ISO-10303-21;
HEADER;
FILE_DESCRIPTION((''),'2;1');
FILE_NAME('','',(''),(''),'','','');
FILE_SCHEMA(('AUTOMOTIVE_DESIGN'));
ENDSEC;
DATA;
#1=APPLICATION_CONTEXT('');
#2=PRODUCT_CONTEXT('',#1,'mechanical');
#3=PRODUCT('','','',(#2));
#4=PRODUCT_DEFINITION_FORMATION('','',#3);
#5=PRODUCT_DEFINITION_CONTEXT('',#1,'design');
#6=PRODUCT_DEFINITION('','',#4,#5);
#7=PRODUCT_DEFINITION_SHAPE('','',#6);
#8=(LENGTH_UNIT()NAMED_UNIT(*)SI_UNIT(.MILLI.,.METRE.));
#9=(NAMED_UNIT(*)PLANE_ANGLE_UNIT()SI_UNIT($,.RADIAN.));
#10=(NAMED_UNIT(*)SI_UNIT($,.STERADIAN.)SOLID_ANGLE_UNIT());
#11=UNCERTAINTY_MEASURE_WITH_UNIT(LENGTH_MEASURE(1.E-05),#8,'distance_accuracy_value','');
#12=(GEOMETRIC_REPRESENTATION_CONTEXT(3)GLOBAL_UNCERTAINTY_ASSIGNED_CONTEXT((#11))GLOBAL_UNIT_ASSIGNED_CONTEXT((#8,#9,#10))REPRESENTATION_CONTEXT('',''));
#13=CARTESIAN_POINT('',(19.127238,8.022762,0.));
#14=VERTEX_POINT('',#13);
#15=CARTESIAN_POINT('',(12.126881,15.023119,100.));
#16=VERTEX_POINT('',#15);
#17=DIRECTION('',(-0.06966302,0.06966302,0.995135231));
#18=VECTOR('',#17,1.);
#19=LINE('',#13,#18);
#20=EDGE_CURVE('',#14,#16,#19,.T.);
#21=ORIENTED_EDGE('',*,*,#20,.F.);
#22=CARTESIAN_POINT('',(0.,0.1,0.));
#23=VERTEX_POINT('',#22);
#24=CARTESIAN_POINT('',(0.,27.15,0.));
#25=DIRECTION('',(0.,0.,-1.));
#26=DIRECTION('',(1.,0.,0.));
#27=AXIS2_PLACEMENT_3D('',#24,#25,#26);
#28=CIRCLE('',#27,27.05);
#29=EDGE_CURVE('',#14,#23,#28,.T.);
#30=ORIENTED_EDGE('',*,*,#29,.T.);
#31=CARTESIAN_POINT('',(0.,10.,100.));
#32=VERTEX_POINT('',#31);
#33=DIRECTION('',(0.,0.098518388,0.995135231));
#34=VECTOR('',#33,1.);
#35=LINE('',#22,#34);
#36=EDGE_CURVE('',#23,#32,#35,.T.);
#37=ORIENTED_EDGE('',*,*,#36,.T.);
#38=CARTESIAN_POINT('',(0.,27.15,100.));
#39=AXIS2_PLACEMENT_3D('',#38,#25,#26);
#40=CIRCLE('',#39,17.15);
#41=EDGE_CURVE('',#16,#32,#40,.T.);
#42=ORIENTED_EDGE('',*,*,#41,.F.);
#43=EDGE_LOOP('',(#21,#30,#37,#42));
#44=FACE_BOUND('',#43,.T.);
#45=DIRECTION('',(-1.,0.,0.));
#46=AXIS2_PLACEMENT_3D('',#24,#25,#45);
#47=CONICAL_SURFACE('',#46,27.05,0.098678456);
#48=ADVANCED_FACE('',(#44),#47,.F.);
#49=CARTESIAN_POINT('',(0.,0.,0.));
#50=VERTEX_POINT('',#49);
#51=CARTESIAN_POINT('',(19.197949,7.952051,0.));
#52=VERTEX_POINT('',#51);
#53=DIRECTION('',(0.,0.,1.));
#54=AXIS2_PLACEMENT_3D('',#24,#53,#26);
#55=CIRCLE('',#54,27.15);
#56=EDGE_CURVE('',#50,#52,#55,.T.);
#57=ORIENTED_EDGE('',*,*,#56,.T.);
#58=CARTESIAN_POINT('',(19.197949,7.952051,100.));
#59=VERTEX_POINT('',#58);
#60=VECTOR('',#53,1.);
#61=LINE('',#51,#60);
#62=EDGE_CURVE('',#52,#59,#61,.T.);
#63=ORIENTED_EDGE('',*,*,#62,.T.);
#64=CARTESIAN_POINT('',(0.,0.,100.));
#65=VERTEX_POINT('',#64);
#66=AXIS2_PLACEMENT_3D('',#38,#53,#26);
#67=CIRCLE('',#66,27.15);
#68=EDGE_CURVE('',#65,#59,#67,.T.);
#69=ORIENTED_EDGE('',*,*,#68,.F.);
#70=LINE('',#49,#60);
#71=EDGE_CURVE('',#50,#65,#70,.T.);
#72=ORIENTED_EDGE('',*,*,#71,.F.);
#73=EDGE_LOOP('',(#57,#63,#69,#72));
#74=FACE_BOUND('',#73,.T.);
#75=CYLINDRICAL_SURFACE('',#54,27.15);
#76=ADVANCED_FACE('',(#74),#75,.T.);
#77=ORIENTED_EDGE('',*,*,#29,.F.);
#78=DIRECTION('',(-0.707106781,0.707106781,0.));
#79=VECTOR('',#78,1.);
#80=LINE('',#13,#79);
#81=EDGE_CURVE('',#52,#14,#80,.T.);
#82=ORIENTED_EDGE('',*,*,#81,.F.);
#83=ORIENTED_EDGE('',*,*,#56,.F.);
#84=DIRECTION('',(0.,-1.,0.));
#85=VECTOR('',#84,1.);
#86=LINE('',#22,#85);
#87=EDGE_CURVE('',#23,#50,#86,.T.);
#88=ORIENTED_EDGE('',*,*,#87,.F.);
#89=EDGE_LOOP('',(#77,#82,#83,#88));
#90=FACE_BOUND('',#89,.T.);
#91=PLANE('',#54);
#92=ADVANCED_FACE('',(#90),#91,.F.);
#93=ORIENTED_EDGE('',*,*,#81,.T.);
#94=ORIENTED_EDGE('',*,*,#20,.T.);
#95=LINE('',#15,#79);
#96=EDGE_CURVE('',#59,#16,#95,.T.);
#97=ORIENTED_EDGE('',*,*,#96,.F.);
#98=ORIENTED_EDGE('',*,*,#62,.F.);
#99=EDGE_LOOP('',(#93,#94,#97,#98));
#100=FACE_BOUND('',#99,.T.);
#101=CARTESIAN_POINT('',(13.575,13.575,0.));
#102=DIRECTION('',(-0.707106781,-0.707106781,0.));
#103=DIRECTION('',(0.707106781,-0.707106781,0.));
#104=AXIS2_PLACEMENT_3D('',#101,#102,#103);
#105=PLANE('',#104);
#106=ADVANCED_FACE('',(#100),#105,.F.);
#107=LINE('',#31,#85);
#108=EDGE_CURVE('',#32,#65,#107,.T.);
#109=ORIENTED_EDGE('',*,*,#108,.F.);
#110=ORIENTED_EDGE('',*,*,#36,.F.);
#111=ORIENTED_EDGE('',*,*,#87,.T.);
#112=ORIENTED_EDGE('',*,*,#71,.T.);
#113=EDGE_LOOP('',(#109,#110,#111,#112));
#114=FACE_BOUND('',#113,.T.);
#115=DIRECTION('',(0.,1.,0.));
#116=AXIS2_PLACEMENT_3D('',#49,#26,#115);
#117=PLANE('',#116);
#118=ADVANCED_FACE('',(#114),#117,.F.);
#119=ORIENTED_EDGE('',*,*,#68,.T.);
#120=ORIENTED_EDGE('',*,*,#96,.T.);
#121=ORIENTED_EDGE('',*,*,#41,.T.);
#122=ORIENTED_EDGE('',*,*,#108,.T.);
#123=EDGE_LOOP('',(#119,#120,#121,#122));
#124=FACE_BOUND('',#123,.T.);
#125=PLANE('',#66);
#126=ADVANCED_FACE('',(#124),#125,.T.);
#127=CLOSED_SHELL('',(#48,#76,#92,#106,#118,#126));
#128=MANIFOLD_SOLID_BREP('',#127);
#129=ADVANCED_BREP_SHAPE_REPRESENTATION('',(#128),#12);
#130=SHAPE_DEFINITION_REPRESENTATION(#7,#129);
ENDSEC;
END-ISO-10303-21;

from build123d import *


with BuildPart() as part:
    # Sketch1 for Loft3 → Loft3 section 0
    with BuildSketch(Plane.XY):
        with BuildLine():
            Line((0, 0.1), (0, 0))
            # circular arc as an exact rational Bezier (weights 1, cos(half-angle), 1)
            Bezier((0, 0), (11.245898218, 0), (19.197949109, 7.952050891), weights=[1, 0.923879533, 1])
            Line((19.197949109, 7.952050891), (19.127238431, 8.022761569))
            Bezier((19.127238431, 8.022761569), (11.204476862, 0.1), (0, 0.1), weights=[1, 0.923879533, 1])
        make_face()
    # Sketch2 for Loft3 → Loft3 section 1
    with BuildSketch(Plane.XY.offset(100)):
        with BuildLine():
            Line((0, 10), (0, 0))
            Bezier((0, 0), (11.245898218, 0), (19.197949109, 7.952050891), weights=[1, 0.923879533, 1])
            Line((19.197949109, 7.952050891), (12.126881297, 15.023118703))
            Bezier((12.126881297, 15.023118703), (7.103762595, 10), (0, 10), weights=[1, 0.923879533, 1])
        make_face()
    loft()


solid = part.part
